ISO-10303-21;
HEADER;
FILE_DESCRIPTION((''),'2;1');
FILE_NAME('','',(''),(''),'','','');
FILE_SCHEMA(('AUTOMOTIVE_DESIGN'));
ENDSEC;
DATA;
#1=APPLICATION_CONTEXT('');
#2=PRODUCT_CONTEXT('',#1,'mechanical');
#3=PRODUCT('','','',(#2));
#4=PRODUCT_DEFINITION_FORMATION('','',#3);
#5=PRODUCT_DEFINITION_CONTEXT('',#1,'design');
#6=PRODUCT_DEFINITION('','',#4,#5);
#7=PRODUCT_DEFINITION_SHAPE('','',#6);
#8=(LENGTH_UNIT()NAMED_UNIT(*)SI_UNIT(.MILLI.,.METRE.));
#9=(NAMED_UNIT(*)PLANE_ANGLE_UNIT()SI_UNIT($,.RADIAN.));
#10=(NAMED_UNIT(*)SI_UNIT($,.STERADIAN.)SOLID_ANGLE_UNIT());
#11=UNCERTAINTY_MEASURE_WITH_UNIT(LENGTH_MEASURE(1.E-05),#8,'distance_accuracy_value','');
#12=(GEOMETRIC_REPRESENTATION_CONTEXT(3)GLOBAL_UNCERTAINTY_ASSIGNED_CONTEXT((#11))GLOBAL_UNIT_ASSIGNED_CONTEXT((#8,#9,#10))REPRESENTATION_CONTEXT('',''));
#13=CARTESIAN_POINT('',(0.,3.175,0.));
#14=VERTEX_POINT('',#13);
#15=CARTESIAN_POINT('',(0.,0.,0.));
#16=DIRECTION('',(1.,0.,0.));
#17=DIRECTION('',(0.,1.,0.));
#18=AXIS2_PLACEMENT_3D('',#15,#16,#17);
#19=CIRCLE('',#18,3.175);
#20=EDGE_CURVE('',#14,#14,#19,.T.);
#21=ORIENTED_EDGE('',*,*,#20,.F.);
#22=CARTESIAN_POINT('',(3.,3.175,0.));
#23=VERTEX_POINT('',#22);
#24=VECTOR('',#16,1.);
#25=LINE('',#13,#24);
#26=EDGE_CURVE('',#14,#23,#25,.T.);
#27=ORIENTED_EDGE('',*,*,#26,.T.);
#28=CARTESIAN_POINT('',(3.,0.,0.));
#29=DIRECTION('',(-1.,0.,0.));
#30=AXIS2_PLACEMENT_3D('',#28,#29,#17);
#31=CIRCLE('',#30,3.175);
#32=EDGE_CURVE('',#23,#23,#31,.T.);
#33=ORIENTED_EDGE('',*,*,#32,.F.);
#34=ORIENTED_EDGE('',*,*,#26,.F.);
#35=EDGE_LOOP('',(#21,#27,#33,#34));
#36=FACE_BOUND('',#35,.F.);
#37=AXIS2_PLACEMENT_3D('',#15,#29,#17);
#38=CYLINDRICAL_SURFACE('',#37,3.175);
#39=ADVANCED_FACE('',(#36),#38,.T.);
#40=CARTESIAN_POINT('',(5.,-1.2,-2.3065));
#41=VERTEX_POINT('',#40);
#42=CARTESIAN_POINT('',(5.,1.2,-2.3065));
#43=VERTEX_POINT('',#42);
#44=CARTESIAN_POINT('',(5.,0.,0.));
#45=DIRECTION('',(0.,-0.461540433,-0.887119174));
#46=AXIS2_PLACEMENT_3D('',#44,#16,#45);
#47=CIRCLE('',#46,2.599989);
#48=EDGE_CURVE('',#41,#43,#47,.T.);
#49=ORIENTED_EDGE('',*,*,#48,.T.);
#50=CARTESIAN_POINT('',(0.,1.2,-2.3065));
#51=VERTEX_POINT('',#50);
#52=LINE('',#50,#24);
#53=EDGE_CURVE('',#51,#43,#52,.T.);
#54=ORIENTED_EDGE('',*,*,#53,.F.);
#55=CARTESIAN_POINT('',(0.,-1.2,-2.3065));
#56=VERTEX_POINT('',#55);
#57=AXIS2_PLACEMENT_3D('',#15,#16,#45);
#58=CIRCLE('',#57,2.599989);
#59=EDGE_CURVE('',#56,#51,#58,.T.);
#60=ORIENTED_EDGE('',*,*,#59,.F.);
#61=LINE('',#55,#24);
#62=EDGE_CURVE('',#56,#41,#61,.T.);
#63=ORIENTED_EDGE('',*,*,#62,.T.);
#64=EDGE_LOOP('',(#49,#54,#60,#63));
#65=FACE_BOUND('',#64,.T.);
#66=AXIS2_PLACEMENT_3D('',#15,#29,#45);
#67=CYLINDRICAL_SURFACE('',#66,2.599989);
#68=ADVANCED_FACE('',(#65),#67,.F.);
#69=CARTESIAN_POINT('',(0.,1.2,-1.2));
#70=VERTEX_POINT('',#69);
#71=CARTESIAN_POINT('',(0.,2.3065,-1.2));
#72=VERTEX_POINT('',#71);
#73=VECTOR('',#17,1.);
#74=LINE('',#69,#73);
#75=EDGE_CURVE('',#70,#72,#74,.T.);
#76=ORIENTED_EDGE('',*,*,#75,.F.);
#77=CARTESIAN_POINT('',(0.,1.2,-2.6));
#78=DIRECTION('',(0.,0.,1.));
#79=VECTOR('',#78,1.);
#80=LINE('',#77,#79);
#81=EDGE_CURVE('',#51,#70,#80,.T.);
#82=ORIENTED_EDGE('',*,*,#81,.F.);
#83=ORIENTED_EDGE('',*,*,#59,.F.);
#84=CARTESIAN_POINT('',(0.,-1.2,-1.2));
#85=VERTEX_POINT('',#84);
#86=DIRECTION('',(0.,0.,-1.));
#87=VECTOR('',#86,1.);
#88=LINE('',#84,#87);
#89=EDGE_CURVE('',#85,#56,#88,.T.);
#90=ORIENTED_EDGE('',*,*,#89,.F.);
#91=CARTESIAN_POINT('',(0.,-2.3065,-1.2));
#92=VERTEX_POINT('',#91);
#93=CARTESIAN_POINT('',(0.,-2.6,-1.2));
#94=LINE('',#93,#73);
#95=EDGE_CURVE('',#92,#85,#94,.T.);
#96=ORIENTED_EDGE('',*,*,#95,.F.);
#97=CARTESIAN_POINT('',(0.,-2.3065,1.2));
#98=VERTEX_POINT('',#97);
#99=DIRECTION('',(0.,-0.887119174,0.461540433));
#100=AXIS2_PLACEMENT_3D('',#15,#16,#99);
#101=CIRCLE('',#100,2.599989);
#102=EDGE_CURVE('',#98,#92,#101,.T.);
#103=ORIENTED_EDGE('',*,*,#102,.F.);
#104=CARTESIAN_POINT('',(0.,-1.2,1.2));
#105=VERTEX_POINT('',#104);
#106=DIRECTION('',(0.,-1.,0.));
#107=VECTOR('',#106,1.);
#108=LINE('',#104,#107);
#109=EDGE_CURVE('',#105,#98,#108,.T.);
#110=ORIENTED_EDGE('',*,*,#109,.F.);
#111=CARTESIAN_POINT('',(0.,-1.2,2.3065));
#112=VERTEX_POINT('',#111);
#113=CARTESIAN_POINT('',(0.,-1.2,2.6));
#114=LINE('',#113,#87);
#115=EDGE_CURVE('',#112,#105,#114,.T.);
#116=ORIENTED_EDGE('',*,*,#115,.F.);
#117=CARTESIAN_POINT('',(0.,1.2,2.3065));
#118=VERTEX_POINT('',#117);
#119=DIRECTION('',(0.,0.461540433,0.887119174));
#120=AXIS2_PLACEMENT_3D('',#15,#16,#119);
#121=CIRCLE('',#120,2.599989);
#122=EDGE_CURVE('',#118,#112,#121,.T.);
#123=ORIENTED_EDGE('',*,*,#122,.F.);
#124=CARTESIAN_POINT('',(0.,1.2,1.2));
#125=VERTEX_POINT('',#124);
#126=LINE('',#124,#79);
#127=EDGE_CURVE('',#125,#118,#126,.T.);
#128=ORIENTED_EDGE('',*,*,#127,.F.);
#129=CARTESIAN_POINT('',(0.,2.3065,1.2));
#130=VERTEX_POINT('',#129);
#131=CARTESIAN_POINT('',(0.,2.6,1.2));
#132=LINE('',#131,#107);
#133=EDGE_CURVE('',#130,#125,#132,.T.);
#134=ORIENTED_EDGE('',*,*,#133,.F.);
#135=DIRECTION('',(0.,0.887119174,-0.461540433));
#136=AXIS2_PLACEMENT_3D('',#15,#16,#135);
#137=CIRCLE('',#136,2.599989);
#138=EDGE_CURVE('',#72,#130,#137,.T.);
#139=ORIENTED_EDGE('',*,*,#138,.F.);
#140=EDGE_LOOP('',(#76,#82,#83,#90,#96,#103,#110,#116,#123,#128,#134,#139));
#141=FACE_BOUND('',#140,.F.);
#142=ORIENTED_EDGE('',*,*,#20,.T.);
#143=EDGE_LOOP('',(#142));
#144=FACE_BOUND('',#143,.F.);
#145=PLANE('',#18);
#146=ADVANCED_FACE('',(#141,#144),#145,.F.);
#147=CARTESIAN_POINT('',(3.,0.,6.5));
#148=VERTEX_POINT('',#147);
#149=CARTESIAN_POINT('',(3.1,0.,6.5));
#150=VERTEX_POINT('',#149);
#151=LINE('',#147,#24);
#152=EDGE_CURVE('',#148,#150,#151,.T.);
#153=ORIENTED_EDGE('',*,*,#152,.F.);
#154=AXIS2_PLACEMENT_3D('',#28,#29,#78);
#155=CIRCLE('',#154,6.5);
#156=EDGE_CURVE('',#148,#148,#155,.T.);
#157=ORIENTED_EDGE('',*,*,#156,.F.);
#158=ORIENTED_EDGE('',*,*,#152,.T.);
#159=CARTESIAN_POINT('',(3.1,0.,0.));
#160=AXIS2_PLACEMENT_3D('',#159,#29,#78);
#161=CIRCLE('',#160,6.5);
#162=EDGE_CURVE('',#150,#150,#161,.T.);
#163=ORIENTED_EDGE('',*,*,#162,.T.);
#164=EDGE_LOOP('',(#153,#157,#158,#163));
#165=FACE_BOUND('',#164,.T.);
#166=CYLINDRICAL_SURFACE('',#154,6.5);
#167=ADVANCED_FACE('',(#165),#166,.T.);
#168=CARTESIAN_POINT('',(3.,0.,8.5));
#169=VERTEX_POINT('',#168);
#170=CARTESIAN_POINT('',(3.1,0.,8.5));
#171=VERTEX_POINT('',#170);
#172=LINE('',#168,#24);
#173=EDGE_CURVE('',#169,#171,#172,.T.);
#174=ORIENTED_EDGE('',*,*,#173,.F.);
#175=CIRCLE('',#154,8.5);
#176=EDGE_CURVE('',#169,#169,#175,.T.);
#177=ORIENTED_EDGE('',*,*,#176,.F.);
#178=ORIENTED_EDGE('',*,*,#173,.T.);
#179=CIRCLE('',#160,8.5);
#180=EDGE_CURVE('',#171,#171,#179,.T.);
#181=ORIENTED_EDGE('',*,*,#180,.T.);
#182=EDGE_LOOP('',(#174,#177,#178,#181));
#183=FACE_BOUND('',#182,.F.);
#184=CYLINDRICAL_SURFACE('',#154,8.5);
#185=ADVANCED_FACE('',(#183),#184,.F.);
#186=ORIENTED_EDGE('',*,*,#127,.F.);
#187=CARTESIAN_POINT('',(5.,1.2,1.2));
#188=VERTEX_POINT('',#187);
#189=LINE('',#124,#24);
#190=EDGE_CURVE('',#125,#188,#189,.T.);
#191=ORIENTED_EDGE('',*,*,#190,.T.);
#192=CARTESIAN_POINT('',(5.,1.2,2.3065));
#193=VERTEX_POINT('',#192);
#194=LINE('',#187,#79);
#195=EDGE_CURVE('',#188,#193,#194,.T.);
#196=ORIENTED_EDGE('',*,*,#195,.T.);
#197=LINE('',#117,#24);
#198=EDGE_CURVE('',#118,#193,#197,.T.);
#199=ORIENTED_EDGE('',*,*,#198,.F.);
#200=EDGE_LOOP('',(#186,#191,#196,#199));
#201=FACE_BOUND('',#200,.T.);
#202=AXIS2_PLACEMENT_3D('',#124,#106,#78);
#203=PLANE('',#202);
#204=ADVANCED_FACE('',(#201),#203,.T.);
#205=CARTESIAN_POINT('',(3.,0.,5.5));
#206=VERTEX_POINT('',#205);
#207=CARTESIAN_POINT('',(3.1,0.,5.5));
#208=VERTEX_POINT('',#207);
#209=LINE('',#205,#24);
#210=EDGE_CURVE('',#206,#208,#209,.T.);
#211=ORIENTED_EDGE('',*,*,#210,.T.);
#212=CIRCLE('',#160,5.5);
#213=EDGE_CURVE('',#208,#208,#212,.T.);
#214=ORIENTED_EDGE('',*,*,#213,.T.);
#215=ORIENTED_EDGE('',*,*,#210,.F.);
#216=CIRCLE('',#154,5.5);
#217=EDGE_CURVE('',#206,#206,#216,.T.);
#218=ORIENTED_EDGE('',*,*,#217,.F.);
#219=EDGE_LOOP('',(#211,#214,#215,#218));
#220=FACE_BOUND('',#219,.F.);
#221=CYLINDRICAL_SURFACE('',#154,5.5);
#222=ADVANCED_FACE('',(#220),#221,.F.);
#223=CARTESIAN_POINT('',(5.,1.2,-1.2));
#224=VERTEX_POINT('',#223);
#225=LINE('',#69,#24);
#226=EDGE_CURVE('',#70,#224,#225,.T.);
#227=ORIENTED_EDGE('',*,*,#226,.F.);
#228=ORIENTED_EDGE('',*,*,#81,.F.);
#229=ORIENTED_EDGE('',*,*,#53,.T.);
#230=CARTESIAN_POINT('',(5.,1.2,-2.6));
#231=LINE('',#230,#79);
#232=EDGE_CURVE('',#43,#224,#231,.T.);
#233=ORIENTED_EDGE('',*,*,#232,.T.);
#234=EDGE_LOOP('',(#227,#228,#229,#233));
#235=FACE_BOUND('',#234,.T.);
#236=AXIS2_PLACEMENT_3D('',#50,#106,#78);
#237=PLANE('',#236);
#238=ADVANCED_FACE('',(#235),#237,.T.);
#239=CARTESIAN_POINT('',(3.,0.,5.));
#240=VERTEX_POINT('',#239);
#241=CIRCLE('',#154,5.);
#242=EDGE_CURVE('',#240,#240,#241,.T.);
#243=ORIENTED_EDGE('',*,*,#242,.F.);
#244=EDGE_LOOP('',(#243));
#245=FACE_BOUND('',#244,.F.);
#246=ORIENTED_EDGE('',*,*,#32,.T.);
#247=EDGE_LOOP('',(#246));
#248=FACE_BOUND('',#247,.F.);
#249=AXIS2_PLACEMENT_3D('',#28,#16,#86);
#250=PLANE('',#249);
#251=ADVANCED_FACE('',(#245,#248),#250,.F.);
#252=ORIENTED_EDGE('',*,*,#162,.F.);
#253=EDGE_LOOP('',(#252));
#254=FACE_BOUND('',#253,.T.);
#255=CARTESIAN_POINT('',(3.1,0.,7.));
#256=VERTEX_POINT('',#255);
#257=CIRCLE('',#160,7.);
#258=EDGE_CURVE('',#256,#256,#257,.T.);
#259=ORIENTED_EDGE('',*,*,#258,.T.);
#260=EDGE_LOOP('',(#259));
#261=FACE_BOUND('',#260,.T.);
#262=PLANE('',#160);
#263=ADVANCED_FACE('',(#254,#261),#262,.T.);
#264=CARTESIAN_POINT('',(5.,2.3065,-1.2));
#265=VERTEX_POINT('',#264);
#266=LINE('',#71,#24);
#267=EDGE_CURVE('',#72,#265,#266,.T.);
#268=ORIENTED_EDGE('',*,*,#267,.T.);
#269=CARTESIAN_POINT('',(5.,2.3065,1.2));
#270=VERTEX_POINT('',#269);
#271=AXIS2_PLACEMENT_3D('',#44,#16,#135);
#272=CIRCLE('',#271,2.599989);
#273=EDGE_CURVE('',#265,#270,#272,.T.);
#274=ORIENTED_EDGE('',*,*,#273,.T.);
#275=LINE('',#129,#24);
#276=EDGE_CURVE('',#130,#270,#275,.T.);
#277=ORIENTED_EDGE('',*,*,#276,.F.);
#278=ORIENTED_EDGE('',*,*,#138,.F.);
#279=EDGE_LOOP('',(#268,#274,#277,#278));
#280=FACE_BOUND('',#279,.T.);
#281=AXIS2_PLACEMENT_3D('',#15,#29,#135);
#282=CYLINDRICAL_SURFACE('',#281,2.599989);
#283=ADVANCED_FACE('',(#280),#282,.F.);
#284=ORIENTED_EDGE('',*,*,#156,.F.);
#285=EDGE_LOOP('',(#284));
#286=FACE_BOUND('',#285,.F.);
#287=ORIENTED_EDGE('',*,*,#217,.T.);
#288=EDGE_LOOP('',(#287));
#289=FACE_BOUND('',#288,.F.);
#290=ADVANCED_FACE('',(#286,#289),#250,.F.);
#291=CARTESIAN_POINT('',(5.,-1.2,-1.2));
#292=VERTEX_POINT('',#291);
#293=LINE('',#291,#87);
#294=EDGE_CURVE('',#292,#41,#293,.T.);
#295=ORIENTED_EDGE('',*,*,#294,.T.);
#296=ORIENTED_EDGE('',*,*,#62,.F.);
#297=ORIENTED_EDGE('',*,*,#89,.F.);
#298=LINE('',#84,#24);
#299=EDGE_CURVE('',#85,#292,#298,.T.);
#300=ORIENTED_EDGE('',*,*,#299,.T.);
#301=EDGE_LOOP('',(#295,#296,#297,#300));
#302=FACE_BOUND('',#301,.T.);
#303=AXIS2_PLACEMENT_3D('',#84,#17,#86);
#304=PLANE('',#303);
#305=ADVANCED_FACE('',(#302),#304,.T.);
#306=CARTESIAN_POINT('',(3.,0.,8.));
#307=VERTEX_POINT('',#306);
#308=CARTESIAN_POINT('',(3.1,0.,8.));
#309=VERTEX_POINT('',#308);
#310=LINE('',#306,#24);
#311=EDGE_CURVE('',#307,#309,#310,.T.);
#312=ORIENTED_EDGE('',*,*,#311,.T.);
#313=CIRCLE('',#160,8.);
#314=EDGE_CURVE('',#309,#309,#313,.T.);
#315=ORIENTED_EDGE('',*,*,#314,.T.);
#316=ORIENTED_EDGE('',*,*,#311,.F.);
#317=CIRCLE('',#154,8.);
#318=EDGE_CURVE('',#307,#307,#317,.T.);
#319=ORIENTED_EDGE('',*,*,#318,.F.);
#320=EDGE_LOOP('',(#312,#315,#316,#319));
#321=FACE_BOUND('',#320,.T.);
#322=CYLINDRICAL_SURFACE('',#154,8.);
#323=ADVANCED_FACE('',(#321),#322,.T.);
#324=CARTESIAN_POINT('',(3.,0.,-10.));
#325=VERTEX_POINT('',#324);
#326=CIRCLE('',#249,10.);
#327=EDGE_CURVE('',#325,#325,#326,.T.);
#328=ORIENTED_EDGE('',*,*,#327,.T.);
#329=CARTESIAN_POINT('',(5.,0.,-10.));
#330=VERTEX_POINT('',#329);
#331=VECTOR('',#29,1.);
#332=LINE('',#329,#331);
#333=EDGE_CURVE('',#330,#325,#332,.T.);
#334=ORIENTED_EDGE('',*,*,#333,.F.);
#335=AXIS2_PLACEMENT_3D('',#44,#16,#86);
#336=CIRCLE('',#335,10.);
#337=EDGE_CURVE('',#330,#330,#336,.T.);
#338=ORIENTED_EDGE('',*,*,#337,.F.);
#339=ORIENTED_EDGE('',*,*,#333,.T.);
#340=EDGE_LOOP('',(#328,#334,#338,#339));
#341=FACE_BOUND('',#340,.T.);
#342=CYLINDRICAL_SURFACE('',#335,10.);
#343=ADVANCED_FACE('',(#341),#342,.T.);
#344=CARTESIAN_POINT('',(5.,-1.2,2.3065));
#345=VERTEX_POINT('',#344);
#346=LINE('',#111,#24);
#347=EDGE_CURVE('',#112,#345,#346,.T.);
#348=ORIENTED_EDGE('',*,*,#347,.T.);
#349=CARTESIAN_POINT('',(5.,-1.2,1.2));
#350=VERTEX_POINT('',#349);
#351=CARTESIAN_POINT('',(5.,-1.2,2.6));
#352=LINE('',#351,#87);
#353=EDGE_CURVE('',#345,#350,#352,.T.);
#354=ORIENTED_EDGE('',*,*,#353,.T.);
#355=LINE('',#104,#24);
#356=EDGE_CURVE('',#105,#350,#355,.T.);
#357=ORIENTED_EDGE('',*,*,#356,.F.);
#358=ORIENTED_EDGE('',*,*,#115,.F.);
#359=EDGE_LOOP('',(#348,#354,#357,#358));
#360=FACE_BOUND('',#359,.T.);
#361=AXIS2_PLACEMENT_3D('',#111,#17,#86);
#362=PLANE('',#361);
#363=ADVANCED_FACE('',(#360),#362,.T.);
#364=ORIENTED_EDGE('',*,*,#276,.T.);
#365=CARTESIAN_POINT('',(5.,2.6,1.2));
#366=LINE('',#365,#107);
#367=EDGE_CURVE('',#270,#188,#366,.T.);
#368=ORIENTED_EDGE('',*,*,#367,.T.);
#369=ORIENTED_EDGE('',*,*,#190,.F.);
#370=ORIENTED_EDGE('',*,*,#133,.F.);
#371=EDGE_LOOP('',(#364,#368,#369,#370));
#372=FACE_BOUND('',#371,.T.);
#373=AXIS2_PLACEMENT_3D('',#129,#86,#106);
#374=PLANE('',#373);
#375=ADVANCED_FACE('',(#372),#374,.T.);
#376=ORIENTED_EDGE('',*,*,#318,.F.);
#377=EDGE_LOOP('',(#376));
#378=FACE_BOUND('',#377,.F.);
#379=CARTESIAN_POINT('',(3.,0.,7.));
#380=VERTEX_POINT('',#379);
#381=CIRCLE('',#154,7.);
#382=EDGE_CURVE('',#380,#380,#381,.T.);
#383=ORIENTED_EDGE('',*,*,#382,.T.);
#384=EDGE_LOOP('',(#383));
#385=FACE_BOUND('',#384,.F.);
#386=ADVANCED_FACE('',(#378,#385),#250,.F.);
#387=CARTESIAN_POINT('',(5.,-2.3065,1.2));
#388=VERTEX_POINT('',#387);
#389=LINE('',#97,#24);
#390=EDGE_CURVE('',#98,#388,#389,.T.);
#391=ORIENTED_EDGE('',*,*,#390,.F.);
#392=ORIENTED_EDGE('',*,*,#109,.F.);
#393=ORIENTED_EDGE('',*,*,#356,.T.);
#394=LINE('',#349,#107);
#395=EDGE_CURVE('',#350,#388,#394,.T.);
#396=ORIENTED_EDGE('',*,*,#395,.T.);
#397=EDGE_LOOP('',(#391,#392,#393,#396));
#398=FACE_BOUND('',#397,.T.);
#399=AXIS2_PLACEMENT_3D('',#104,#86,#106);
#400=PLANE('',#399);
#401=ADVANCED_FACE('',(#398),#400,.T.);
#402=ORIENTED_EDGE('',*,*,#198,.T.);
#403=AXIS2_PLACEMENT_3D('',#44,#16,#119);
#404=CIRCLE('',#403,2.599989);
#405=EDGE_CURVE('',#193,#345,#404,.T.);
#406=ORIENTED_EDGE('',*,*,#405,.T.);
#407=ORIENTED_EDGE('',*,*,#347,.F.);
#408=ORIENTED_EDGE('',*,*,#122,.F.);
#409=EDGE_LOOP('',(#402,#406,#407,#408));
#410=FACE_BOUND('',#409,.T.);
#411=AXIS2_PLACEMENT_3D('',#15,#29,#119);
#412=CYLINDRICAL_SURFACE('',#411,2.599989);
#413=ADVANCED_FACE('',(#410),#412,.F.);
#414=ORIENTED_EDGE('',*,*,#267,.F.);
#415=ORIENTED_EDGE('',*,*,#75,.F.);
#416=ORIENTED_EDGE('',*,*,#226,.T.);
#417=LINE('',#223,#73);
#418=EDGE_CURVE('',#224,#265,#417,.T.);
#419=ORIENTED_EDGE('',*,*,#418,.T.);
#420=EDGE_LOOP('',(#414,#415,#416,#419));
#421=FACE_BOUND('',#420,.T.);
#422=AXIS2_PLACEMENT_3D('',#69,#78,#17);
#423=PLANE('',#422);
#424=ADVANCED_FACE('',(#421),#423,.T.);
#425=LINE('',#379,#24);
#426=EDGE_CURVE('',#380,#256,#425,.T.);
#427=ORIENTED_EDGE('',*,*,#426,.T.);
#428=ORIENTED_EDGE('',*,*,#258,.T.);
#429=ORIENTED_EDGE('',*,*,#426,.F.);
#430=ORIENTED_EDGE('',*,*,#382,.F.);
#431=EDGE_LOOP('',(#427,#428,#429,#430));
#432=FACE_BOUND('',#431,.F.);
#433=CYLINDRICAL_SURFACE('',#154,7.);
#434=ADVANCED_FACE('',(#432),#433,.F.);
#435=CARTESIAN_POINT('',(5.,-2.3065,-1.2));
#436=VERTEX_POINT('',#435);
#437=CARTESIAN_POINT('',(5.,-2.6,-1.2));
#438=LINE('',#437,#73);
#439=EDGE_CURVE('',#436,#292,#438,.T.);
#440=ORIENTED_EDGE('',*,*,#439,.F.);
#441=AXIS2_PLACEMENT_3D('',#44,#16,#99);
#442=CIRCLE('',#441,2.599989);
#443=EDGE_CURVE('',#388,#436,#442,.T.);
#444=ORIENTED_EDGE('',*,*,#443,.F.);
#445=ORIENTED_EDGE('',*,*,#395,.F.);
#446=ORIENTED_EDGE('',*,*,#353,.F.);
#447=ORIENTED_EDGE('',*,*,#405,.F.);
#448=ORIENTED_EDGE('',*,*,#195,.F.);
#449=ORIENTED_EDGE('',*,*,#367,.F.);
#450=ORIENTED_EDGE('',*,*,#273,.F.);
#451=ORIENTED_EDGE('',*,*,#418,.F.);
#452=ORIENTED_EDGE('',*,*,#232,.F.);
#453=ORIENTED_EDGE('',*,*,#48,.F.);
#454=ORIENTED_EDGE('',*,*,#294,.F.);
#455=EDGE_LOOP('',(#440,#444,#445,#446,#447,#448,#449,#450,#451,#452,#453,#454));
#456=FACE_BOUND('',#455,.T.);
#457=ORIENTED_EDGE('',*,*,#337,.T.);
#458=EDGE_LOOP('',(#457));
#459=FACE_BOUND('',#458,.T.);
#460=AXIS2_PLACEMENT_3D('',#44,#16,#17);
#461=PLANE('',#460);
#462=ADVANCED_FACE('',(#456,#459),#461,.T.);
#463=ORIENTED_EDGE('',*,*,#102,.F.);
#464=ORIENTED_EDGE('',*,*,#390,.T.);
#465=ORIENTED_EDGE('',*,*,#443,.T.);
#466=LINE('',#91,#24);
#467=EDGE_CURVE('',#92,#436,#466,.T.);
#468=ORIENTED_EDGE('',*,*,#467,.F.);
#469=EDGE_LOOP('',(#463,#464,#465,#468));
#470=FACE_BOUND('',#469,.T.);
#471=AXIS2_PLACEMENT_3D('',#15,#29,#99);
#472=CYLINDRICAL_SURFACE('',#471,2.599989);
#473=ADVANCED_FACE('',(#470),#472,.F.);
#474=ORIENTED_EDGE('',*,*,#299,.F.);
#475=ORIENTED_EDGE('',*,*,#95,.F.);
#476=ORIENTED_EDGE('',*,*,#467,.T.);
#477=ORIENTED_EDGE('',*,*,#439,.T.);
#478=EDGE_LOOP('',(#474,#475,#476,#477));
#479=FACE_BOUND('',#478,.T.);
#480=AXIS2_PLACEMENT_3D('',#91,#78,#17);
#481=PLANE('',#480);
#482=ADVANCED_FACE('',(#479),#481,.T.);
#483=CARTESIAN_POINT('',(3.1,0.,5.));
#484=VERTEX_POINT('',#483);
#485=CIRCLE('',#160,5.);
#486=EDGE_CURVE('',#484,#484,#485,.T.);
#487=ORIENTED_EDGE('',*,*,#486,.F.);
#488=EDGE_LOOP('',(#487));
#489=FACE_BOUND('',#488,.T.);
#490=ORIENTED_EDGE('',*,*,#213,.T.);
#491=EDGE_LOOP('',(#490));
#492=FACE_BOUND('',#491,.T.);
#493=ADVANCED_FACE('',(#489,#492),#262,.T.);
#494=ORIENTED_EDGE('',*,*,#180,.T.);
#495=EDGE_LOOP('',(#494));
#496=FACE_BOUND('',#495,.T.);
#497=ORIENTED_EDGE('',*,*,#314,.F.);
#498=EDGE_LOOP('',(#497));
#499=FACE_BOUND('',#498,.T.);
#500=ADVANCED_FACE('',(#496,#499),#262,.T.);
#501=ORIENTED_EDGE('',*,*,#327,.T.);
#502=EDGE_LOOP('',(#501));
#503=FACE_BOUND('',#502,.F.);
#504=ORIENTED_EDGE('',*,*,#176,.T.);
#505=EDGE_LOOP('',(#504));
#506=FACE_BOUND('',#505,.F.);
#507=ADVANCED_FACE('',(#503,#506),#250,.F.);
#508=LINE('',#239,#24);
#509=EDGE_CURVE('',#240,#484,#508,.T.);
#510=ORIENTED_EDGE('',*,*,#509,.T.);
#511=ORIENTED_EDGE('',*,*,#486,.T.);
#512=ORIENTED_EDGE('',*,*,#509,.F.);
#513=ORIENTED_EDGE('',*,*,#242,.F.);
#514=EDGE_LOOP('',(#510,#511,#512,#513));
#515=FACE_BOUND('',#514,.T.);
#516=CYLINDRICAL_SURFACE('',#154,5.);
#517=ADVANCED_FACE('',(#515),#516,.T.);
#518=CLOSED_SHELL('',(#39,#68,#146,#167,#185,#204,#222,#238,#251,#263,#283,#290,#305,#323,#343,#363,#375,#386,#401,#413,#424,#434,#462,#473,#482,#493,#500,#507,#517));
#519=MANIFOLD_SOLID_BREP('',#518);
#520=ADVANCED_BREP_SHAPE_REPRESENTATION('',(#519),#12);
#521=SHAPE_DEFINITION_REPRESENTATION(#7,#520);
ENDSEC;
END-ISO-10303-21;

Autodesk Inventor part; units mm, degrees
ref_plane "YZ Plane" through (0, 0, 0) normal (1, 0, 0) x (0, 1, 0)
ref_plane "XZ Plane" through (0, 0, 0) normal (0, 1, 0) x (-1, 0, 0)
ref_plane "XY Plane" through (0, 0, 0) normal (0, 0, 1) x (1, 0, 0)
sketch "Sketch3" plane through (0, 0, 0) normal (1, 0, 0) x (0, 1, 0)
  arc A0 (1.2, 2.3065) -> (-1.2, 2.3065) centre (0, 0) ccw
  line L0 (2.6, 1.2) -> (1.2, 1.2)
  line L1 (1.2, 1.2) -> (1.2, 2.6)
  line L2 (-1.2, 2.6) -> (-1.2, 1.2)
  line L3 (-1.2, 1.2) -> (-2.6, 1.2)
  line L4 (-2.6, -1.2) -> (-1.2, -1.2)
  line L5 (-1.2, -1.2) -> (-1.2, -2.6)
  line L6 (1.2, -2.6) -> (1.2, -1.2)
  line L7 (1.2, -1.2) -> (2.6, -1.2)
  arc A1 (-2.3065, 1.2) -> (-2.3065, -1.2) centre (0, 0) ccw
  arc A2 (-1.2, -2.3065) -> (1.2, -2.3065) centre (0, 0) ccw
  arc A3 (2.3065, -1.2) -> (2.3065, 1.2) centre (0, 0) ccw
  circle A4 centre (0, 0) radius 3.175
  dimension "d31" = 360
  dimension "d36" = 6.35
extrude "Extrusion3" add sketch "Sketch3" along normal blind 5
sketch "Sketch5" plane through (5, 0, 0) normal (1, 0, 0) x (0, 0, -1)
  circle A0 centre (0, 0) radius 2.6
  circle A1 centre (0, 0) radius 10
  dimension "d53" = 20
extrude "Extrusion4" add sketch "Sketch5" against normal blind 2
sketch "Sketch8" plane through (3, 0, 0) normal (-1, 0, 0) x (0, 0, 1)
  circle A0 centre (0, 0) radius 5
  circle A1 centre (0, 0) radius 5.5
  circle A2 centre (0, 0) radius 6.5
  circle A3 centre (0, 0) radius 7
  circle A4 centre (0, 0) radius 8
  circle A5 centre (0, 0) radius 8.5
  dimension "d54" = 10
  dimension "d55" = 11
  dimension "d56" = 13
  dimension "d57" = 14
  dimension "d58" = 16
  dimension "d59" = 17
extrude "Extrusion6" cut sketch "Sketch8" against normal blind 0.1
properties part number "omni-caster-lego-adaptor"
